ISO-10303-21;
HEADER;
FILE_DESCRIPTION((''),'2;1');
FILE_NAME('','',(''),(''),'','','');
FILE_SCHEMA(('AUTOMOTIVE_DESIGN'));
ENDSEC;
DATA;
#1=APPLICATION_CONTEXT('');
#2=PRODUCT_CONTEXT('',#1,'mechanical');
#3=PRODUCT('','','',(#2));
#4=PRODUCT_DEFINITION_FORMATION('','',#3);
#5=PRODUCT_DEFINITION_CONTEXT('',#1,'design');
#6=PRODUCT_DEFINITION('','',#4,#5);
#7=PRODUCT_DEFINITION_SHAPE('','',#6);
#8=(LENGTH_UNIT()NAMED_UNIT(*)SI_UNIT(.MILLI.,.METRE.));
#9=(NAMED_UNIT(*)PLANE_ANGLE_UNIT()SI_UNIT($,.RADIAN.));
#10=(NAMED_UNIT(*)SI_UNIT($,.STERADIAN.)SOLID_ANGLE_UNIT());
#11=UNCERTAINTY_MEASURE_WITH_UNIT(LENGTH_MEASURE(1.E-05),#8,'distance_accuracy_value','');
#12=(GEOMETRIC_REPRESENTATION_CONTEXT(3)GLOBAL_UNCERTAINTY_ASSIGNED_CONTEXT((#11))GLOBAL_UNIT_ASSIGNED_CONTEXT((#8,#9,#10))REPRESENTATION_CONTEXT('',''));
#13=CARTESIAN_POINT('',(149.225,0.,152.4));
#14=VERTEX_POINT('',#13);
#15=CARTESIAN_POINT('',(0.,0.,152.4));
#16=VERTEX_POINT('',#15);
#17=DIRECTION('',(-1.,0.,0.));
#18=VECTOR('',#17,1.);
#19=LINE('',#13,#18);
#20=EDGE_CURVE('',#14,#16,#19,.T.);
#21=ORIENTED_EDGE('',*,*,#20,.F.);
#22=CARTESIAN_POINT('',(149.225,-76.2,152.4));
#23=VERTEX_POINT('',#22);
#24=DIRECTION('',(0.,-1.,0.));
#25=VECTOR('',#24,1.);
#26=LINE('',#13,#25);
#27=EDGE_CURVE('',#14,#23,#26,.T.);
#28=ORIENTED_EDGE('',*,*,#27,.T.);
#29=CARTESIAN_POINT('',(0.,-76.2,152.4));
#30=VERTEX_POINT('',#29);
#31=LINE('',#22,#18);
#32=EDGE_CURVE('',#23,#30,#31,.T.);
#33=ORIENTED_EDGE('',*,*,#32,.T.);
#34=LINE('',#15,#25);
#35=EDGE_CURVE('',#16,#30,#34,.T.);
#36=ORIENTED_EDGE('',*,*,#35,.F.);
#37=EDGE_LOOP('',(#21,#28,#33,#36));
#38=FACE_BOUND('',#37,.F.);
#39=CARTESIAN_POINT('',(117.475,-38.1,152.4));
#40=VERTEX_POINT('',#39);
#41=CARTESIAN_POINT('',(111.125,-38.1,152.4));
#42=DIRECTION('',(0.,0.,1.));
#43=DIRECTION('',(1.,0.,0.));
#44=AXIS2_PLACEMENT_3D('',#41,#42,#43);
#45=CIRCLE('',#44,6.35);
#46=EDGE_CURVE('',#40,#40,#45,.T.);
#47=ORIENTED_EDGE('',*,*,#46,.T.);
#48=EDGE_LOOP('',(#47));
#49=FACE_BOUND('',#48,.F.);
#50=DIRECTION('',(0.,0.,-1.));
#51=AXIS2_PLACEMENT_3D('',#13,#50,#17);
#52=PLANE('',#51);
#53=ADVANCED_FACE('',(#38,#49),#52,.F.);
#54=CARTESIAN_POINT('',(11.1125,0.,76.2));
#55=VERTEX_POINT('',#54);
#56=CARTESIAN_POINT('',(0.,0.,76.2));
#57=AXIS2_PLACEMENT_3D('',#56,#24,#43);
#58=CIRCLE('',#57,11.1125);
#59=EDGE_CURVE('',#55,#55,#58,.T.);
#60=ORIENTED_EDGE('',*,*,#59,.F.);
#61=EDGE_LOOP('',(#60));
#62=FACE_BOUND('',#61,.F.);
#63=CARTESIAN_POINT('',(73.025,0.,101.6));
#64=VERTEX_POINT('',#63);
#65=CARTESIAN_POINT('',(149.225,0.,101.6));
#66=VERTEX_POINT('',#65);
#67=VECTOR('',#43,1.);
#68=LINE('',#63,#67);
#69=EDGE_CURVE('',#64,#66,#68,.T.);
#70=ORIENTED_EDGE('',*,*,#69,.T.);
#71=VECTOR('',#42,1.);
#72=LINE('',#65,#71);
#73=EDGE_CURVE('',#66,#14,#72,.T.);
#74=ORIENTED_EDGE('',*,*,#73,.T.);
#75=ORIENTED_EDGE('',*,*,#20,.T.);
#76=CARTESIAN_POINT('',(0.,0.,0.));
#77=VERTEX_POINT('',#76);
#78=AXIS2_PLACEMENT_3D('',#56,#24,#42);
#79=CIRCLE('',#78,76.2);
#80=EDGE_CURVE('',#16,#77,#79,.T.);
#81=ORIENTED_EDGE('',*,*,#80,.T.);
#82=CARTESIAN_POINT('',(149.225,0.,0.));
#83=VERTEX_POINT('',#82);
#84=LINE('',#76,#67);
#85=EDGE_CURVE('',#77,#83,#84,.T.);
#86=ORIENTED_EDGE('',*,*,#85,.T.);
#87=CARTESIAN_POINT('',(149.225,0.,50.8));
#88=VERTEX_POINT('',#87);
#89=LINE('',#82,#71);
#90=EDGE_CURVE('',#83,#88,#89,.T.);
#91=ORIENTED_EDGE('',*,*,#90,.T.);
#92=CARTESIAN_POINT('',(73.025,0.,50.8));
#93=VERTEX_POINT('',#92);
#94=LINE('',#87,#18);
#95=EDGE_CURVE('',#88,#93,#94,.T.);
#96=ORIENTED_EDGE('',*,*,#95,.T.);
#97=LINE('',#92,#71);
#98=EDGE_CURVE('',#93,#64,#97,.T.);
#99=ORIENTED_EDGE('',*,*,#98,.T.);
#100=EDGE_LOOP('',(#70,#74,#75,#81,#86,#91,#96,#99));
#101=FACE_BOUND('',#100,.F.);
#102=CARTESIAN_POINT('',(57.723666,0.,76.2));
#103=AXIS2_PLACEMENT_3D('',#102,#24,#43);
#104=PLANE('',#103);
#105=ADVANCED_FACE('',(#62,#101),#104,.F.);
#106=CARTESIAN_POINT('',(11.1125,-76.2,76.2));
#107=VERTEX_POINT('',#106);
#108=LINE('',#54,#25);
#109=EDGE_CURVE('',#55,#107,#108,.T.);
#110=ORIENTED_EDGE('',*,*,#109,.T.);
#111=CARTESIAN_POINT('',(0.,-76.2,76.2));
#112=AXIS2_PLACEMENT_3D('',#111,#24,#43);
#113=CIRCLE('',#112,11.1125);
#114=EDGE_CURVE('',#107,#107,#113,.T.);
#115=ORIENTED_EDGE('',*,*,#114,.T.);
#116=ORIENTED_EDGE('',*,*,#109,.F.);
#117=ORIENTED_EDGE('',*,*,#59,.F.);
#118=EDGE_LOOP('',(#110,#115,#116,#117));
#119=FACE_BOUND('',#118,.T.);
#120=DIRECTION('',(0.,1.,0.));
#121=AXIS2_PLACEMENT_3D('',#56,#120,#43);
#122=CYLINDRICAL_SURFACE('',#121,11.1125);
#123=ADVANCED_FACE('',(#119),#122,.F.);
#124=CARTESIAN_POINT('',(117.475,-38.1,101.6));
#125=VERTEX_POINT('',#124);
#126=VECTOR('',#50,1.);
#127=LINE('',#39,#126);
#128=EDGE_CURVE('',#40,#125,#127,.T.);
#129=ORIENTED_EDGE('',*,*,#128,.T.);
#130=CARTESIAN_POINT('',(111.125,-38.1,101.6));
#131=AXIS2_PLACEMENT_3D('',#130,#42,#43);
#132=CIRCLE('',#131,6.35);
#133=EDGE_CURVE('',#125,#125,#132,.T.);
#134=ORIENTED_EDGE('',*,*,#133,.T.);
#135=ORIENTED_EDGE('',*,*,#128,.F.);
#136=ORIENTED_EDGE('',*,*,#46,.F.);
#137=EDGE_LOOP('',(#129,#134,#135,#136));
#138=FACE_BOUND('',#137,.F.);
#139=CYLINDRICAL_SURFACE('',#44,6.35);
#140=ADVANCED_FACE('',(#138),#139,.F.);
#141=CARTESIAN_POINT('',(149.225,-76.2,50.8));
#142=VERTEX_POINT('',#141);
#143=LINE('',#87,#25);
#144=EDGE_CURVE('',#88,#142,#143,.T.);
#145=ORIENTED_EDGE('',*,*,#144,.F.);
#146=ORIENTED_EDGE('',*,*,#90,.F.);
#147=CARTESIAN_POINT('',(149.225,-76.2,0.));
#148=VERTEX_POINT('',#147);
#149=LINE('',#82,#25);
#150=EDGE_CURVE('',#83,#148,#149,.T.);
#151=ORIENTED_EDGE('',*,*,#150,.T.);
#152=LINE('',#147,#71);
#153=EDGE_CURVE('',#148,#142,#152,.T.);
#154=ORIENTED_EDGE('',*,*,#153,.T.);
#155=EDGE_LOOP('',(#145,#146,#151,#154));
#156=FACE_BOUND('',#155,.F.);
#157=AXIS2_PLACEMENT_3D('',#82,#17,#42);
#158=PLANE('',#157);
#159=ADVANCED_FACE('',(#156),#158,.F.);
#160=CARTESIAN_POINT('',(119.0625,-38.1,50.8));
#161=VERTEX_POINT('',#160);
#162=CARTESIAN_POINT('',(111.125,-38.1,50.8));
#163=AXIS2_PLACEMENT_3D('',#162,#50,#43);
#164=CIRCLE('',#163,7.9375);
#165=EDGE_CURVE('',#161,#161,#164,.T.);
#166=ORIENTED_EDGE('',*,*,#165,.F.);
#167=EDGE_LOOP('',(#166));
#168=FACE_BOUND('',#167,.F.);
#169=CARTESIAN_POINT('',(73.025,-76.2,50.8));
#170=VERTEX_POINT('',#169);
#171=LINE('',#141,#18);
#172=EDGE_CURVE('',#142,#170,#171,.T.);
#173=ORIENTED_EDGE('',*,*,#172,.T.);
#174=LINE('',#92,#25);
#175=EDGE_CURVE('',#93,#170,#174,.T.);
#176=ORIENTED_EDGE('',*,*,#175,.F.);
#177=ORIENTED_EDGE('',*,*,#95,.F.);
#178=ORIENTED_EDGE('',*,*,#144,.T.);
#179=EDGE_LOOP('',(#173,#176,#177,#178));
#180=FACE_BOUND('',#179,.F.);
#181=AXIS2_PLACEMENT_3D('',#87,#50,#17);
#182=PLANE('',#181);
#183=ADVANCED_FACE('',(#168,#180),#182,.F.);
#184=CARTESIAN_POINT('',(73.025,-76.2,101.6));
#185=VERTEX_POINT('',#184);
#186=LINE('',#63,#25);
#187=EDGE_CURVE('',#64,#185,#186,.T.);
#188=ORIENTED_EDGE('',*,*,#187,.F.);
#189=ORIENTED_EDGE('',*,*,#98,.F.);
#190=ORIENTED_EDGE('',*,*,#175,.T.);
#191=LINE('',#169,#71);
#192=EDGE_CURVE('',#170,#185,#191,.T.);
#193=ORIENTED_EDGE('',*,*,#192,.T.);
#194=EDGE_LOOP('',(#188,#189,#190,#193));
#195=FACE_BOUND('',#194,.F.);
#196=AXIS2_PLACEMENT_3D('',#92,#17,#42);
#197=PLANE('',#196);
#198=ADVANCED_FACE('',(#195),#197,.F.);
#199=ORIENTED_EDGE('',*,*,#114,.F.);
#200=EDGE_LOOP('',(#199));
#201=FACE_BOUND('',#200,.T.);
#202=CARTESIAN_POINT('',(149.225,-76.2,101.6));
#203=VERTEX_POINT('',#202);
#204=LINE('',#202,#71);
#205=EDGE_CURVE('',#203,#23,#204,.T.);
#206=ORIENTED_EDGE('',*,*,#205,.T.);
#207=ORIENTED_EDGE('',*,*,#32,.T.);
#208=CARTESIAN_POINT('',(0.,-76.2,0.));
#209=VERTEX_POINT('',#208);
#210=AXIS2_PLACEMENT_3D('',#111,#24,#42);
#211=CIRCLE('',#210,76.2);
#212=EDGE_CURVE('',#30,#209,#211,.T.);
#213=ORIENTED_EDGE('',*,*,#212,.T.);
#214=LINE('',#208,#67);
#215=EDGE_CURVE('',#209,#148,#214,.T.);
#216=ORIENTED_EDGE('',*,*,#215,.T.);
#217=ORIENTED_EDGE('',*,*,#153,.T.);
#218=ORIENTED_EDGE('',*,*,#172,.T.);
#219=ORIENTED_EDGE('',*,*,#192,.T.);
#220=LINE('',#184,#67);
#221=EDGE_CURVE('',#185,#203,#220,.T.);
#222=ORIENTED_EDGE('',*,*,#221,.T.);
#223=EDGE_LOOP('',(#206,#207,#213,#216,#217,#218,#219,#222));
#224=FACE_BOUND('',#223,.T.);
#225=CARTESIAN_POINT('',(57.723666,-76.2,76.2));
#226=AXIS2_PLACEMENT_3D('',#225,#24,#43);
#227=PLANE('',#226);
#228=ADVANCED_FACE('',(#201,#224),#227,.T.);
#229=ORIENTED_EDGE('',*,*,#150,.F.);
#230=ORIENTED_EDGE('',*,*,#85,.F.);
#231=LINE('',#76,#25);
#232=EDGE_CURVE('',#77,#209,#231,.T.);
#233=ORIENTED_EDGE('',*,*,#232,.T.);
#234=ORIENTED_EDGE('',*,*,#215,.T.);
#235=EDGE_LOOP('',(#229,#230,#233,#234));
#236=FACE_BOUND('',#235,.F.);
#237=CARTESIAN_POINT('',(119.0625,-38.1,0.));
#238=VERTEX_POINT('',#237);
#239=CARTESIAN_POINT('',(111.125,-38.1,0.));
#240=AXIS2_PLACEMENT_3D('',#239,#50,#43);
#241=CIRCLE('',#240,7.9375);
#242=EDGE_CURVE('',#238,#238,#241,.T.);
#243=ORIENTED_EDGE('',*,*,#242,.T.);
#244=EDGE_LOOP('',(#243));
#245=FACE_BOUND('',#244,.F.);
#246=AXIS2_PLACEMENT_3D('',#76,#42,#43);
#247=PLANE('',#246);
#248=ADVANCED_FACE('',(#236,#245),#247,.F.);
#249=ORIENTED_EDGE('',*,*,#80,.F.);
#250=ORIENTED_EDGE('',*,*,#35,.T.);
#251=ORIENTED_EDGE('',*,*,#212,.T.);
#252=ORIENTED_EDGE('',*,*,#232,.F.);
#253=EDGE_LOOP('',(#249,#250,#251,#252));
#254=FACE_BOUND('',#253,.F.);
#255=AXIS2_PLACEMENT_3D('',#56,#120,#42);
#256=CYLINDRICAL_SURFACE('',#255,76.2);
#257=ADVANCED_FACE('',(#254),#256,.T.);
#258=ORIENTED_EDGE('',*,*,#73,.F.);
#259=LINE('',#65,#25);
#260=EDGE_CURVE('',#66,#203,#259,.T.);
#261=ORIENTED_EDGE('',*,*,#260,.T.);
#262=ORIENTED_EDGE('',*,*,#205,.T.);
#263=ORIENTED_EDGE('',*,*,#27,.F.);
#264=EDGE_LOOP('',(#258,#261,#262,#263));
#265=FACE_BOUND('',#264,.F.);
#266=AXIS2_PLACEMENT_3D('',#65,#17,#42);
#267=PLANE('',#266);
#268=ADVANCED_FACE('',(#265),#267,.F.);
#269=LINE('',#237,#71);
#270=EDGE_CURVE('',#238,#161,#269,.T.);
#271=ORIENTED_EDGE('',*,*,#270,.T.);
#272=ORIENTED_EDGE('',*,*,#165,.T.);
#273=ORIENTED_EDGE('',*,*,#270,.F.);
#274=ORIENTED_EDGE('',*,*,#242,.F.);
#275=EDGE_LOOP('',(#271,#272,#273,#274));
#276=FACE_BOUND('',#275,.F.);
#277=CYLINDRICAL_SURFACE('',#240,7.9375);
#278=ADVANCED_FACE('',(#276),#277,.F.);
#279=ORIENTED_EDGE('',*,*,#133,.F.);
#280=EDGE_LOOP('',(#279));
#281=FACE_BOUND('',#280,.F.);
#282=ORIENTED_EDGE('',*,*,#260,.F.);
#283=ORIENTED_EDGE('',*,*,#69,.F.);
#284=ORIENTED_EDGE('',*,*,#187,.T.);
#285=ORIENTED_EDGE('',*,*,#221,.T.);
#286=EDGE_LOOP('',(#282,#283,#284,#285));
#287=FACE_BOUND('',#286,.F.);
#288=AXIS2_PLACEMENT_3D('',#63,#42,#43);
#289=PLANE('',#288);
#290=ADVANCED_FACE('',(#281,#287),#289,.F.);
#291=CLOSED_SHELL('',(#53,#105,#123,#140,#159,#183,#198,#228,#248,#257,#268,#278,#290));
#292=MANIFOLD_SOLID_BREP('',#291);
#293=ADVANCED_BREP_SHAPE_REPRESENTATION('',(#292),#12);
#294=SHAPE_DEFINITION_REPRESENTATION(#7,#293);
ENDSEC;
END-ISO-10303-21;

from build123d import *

# Parameters (mm, degrees)
F0_R     = 11.1125
F1_DEPTH = 76.2
F3_R     = 7.9375
F4_DEPTH = 50.8
F2_R     = 6.35
F5_DEPTH = 50.8


with BuildPart() as f1:
    # F0 (on Front) → F1 (new body)
    with BuildSketch(Plane.XZ):
        with BuildLine():
            ThreePointArc((0, 152.4), (-76.2, 76.2), (0, 0))
            Line((0, 0), (149.225, 0))
            Line((149.225, 0), (149.225, 50.8))
            Line((149.225, 50.8), (73.025, 50.8))
            Line((73.025, 50.8), (73.025, 101.6))
            Line((73.025, 101.6), (149.225, 101.6))
            Line((149.225, 101.6), (149.225, 152.4))
            Line((149.225, 152.4), (0, 152.4))
        make_face()
        with Locations((0, 76.2)):
            Circle(F0_R, mode=Mode.SUBTRACT)
    extrude(amount=F1_DEPTH)

    # F3 (on face) → F4 (cut)
    with BuildSketch(Plane(origin=(0, 0, 0), x_dir=(1, 0, 0), z_dir=(0, 0, -1))):
        with Locations((111.125, 38.1)):
            Circle(F3_R)
    extrude(amount=-F4_DEPTH, mode=Mode.SUBTRACT)

    # F2 (on face) → F5 (cut)
    with BuildSketch(Plane.XY.offset(152.4)):
        with Locations((111.125, -38.1)):
            Circle(F2_R)
    extrude(amount=-F5_DEPTH, mode=Mode.SUBTRACT)


solid = f1.part
